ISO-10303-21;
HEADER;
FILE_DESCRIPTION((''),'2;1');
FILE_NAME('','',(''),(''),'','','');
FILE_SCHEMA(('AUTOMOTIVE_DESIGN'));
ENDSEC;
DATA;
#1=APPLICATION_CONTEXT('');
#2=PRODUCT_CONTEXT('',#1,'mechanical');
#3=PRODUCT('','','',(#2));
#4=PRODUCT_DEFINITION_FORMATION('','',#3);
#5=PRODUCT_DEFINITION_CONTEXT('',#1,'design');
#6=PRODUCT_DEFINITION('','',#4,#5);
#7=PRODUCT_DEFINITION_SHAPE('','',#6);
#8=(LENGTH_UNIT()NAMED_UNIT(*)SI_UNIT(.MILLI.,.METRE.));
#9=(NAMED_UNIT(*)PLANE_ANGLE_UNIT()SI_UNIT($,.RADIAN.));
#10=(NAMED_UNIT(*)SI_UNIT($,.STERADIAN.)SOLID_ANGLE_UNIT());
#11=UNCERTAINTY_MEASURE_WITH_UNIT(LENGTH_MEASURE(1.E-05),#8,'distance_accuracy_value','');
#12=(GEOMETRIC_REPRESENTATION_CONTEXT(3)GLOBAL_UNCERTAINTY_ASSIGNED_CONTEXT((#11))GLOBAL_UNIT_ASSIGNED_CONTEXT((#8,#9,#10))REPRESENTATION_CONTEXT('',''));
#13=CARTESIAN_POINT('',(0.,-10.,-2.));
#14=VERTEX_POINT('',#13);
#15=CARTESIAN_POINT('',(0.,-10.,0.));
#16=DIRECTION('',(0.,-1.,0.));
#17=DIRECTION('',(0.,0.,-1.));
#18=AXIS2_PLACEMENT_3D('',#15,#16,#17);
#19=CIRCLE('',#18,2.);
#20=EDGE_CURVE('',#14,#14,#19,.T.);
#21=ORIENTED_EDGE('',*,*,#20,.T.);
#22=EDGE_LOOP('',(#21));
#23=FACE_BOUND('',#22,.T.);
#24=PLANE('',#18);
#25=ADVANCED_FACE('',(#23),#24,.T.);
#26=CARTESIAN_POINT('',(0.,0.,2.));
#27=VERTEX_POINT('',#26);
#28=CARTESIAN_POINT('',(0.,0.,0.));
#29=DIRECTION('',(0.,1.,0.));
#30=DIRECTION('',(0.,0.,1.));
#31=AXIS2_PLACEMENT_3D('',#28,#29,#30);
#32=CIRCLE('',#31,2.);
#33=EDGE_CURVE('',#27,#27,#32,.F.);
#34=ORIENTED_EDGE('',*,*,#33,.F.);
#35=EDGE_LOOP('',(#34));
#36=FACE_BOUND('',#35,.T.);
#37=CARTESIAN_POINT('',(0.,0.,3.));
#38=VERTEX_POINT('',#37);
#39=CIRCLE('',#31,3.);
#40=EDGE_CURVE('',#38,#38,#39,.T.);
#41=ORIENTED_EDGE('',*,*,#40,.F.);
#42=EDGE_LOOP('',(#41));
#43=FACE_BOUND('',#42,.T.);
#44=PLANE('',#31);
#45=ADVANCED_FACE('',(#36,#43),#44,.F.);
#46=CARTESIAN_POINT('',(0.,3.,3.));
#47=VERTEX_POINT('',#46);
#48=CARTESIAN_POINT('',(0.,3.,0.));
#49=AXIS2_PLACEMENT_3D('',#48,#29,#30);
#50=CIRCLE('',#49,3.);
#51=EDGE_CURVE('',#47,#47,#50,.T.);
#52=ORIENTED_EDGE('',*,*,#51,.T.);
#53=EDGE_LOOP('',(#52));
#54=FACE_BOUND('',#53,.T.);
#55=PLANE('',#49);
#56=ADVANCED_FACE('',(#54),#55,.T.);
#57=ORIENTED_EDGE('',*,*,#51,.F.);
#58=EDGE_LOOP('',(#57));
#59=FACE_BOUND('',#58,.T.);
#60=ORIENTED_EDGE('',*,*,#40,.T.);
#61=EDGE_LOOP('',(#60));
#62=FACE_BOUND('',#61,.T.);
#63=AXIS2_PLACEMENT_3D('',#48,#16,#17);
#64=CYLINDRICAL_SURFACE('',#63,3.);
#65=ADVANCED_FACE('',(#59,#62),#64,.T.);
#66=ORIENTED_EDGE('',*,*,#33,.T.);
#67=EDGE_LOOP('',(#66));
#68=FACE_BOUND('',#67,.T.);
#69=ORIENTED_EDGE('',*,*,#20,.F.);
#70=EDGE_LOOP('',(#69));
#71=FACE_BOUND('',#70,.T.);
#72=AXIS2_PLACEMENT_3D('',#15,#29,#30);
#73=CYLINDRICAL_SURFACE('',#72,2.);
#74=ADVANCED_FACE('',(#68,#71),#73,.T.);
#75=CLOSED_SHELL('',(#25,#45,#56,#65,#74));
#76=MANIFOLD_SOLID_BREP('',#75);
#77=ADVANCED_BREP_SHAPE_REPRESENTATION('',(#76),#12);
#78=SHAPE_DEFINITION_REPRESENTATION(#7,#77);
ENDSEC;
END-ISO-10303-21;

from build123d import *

# Parameters (mm, degrees)
SKETCH1_R           = 3
BOSS_EXTRUDE1_DEPTH = 3
SKETCH2_R           = 2
BOSS_EXTRUDE2_DEPTH = 10


with BuildPart() as part:
    # Sketch1 → Boss-Extrude1 (new body)
    with BuildSketch(Plane(origin=(0, 0, 0), x_dir=(1, 0, 0), z_dir=(0, 1, 0))):
        Circle(SKETCH1_R)
    extrude(amount=BOSS_EXTRUDE1_DEPTH)

    # Sketch2 → Boss-Extrude2 (add)
    with BuildSketch(Plane.XZ):
        Circle(SKETCH2_R)
    extrude(amount=BOSS_EXTRUDE2_DEPTH)


solid = part.part
